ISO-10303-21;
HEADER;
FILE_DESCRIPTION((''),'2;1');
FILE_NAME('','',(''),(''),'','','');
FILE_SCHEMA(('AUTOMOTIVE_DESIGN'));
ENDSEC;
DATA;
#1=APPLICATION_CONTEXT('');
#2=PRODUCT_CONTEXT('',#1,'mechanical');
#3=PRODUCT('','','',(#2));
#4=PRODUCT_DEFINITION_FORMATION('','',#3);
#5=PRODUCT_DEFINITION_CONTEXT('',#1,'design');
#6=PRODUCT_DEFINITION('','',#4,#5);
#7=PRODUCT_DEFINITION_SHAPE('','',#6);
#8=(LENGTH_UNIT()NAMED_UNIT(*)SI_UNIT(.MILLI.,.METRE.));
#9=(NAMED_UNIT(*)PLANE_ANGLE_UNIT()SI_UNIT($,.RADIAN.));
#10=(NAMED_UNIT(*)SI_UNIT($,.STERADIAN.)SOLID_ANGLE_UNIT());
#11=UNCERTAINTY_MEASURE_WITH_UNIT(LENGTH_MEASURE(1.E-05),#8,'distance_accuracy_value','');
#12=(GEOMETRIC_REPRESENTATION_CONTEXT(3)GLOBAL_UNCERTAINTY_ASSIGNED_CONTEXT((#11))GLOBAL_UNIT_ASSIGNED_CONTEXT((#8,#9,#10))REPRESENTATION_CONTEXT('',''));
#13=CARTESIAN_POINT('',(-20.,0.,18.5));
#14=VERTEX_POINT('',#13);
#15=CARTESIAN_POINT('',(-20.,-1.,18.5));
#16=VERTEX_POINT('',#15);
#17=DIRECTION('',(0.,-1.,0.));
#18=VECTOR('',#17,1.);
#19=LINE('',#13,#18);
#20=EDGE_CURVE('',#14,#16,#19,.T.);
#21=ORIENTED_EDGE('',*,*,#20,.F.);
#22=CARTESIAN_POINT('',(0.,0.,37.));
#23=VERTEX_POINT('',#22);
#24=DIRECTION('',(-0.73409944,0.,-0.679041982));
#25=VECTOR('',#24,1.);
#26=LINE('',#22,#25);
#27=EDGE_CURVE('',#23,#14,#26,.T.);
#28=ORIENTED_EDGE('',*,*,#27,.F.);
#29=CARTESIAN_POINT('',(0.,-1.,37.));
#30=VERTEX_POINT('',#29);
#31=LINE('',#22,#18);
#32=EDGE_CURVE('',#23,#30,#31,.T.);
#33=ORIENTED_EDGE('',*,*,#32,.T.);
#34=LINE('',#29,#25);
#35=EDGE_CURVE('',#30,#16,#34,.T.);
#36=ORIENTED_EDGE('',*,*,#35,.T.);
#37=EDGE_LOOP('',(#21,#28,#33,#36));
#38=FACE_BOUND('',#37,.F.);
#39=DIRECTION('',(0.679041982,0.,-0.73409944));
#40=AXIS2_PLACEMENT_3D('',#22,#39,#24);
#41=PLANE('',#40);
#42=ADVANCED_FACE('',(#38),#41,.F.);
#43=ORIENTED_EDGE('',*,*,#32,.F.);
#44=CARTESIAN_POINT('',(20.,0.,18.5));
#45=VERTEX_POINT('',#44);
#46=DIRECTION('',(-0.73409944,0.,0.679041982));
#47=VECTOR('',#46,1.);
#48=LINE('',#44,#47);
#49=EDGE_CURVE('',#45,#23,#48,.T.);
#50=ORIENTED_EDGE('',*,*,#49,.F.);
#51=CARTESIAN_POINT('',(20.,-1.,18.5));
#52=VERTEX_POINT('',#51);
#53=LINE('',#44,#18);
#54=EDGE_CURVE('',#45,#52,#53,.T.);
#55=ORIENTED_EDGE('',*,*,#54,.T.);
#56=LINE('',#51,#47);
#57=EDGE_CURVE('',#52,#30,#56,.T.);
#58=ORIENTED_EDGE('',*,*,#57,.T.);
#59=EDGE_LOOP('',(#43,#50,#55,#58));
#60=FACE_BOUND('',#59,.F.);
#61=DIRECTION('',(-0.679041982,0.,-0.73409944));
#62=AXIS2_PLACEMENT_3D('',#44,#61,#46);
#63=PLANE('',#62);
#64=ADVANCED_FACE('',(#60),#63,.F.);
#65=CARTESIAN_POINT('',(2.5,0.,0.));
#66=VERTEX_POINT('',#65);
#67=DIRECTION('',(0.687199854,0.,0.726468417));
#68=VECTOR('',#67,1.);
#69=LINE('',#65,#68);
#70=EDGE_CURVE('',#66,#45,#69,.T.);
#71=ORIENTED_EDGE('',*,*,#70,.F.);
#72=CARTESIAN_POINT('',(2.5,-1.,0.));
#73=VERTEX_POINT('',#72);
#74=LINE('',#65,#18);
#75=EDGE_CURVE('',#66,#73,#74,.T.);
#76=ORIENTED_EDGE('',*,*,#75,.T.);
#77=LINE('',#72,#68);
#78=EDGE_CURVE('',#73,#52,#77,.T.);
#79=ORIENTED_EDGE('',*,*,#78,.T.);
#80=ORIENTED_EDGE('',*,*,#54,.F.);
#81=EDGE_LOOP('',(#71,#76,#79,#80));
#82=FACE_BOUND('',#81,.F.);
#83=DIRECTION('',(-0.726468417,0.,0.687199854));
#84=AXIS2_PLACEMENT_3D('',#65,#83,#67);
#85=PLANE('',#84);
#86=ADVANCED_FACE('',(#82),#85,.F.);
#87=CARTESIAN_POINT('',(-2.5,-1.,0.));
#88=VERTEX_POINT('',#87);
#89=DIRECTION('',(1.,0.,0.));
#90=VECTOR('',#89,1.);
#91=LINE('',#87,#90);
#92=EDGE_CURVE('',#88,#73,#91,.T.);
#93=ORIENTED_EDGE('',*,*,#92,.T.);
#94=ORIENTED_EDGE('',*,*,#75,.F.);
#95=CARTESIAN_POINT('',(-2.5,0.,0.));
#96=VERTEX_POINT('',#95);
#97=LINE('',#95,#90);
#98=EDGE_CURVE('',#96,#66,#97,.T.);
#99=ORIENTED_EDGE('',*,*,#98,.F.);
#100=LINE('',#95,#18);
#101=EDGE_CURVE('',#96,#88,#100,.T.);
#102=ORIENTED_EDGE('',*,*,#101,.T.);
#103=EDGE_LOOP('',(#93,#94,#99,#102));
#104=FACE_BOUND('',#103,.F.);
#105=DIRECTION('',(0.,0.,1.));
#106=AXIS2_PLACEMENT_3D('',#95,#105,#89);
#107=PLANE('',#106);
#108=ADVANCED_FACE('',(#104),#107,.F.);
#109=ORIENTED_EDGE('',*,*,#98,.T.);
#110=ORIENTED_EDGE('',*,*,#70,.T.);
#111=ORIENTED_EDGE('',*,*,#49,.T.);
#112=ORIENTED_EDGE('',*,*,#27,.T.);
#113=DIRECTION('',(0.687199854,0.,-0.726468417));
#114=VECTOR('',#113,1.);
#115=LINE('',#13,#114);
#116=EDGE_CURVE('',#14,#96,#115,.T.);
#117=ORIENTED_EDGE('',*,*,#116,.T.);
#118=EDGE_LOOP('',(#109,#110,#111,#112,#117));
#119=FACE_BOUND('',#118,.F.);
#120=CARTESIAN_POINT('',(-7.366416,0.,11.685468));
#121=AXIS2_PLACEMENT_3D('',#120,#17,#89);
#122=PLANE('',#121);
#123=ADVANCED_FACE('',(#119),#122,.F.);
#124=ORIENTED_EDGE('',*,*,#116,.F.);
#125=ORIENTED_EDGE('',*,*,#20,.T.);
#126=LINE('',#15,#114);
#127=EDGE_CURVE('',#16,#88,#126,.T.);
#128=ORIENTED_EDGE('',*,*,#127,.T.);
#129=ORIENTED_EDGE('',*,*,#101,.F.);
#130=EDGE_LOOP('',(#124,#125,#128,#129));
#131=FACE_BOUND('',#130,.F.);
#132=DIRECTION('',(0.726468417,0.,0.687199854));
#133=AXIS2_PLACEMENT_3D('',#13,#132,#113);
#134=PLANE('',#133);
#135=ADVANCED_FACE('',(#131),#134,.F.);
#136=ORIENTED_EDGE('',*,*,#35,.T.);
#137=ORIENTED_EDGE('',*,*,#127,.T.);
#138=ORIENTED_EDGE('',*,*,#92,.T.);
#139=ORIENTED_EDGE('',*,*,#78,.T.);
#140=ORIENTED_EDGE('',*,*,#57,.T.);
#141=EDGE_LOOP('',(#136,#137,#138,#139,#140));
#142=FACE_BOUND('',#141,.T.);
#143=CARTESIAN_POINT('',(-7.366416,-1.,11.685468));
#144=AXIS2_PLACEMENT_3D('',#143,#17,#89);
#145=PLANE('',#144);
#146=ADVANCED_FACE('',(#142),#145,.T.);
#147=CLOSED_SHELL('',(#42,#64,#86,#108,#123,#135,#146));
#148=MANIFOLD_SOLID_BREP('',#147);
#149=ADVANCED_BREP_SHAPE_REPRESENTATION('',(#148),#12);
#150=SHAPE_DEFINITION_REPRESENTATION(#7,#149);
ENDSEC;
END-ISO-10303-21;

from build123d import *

# Parameters (mm, degrees)
F1_DEPTH = 1


with BuildPart() as f1:
    # F0 (on Front) → F1 (new body)
    with BuildSketch(Plane.XZ):
        Polygon((-2.5, 0), (0, 0), (0, 18.5), (-20, 18.5), align=None)
        Polygon((0, 18.5), (0, 0), (2.5, 0), (20, 18.5), align=None)
        Polygon((-20, 18.5), (0, 18.5), (0, 37), align=None)
        Polygon((0, 37), (0, 18.5), (20, 18.5), align=None)
    extrude(amount=F1_DEPTH)


solid = f1.part
